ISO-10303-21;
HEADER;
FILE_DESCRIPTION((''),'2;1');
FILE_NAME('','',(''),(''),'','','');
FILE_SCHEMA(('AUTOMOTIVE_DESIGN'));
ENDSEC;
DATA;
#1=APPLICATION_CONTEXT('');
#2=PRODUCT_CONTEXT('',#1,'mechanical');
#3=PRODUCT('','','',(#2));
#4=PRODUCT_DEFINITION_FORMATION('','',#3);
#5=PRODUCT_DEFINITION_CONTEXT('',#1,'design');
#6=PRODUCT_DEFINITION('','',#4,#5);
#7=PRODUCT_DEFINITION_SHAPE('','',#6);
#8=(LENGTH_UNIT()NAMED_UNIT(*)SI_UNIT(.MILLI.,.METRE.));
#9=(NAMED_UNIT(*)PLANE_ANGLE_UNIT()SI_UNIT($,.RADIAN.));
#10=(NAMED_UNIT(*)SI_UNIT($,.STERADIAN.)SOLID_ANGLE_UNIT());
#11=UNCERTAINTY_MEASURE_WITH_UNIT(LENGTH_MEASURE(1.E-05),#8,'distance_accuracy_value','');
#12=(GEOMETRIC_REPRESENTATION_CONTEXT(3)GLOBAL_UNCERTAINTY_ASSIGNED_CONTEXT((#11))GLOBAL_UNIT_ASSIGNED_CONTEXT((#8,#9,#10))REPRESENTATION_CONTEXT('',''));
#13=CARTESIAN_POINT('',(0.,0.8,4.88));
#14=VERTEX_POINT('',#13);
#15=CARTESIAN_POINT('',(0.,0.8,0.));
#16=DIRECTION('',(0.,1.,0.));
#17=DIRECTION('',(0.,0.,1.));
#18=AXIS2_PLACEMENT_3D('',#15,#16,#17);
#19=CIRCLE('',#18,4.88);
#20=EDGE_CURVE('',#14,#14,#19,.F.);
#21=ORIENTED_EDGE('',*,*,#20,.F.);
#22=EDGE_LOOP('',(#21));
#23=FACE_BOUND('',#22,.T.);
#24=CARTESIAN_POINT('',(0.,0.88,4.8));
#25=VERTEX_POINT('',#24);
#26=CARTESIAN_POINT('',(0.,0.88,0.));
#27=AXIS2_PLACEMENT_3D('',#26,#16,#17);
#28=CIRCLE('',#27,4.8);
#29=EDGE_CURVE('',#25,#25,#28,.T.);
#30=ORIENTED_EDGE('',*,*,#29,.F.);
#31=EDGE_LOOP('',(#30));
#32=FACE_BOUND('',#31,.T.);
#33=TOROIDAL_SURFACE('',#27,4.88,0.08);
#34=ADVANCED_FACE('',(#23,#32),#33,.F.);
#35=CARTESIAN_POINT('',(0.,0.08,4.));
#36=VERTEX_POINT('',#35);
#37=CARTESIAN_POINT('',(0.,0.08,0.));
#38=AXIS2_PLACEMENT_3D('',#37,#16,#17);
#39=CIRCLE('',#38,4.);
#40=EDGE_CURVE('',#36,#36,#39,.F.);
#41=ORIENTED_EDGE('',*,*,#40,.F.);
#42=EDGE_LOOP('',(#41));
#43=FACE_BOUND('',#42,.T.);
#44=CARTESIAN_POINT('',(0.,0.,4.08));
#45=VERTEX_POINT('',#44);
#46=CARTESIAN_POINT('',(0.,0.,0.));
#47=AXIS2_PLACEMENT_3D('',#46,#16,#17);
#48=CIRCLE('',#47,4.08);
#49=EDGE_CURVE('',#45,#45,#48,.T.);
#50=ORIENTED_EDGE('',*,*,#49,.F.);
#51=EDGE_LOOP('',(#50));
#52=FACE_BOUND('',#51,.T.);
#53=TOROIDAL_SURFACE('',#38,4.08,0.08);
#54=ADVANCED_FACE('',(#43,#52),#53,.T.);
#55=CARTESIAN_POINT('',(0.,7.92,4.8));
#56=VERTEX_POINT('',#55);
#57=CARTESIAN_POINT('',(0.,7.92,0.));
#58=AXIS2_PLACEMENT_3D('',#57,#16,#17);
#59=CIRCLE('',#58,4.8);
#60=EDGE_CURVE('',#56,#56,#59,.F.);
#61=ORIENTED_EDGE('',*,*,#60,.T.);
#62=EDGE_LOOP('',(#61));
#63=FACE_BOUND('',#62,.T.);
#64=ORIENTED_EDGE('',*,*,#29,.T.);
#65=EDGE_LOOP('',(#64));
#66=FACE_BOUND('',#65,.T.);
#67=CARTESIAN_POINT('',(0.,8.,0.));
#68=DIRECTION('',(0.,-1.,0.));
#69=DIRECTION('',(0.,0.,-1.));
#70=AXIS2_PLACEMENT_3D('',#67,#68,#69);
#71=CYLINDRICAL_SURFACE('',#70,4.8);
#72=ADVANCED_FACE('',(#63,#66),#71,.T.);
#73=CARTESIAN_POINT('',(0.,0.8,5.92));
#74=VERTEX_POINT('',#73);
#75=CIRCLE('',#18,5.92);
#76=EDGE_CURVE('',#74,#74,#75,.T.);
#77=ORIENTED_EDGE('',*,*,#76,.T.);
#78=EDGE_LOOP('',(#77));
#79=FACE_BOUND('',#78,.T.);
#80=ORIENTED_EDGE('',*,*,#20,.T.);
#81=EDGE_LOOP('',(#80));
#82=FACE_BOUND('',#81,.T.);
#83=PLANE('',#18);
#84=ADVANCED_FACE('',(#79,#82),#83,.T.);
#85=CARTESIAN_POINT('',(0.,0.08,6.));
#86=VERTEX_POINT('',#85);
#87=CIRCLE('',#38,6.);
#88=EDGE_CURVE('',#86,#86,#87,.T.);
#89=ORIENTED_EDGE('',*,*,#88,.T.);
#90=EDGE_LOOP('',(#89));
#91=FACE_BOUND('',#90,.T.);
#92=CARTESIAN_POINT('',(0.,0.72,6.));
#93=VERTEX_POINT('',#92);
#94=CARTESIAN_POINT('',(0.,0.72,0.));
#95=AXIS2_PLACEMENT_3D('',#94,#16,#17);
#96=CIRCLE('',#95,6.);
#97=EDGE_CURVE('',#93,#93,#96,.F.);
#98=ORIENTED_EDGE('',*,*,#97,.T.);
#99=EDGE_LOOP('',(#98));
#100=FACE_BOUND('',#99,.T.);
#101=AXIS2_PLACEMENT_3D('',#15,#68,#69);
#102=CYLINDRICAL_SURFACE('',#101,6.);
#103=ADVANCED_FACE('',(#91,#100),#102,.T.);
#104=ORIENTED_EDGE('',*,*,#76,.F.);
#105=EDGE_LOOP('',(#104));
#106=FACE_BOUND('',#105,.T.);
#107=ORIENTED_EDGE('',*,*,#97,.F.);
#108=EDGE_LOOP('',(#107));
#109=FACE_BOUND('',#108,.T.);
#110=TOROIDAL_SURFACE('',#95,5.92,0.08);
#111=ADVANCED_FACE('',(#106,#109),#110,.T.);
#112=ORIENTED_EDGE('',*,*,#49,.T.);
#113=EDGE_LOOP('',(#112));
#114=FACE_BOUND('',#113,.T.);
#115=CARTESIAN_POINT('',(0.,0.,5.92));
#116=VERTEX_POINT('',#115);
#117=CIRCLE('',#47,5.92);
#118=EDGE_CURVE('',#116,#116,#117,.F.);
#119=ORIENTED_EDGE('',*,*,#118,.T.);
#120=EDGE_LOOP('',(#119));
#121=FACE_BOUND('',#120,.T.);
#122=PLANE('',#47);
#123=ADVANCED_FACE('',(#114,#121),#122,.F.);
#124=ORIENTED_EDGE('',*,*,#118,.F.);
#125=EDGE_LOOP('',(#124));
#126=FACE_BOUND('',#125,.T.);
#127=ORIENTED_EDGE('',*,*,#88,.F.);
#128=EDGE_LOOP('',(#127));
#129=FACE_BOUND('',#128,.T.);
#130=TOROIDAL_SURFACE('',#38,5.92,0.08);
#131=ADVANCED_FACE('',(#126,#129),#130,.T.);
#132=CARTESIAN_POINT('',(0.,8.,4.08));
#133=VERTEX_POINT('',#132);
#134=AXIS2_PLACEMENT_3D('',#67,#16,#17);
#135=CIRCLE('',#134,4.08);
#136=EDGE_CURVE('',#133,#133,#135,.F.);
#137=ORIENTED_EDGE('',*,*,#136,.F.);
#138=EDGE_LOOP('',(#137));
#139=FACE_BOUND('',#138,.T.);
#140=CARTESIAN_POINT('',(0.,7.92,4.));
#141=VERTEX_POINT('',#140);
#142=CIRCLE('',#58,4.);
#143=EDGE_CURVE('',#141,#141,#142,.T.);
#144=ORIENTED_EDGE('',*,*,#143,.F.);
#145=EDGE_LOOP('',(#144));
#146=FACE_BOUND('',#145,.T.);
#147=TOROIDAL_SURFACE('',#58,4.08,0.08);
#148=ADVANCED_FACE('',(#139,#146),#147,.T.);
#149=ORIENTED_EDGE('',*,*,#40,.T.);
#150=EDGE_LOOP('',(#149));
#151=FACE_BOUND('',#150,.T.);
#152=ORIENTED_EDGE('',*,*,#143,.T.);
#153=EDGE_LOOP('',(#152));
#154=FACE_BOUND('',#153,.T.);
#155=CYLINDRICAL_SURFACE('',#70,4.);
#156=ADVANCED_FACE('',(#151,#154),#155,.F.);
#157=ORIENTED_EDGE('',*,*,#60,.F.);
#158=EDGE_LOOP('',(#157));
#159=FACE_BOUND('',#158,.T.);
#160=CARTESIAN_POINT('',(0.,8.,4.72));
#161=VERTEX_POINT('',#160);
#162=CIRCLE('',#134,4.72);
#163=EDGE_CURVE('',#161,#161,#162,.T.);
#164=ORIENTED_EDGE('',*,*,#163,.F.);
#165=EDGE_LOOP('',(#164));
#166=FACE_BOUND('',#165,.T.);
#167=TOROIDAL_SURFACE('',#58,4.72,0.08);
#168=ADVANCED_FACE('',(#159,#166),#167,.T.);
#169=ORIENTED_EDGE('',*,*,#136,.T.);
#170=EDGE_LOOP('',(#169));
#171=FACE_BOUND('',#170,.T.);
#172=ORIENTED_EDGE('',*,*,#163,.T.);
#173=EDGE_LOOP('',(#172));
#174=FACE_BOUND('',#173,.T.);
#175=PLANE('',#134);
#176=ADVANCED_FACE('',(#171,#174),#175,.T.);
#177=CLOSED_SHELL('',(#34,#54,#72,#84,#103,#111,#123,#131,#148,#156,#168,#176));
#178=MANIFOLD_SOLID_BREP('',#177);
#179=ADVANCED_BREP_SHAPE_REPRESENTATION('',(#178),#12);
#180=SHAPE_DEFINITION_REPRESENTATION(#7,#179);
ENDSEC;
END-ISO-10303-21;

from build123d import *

# Parameters (mm, degrees)
SKETCH3_R           = 4.8
SKETCH3_R_2         = 4
BOSS_EXTRUDE1_DEPTH = 8
SKETCH4_R           = 6
SKETCH4_R_2         = 4.8
BOSS_EXTRUDE2_DEPTH = 0.8
FILLET1_R           = 0.08


with BuildPart() as part:
    # Sketch3 → Boss-Extrude1 (new body)
    with BuildSketch(Plane(origin=(0, 0, 0), x_dir=(1, 0, 0), z_dir=(0, 1, 0))):
        with Locations(Location((0, 0, 0), (0, 0, 270))):
            Circle(SKETCH3_R)
        with Locations(Location((0, 0, 0), (0, 0, 270))):
            Circle(SKETCH3_R_2, mode=Mode.SUBTRACT)
    extrude(amount=BOSS_EXTRUDE1_DEPTH)

    # Sketch4 → Boss-Extrude2 (add)
    with BuildSketch(Plane(origin=(0, 0, 0), x_dir=(1, 0, 0), z_dir=(0, 1, 0))):
        with Locations(Location((0, 0, 0), (0, 0, 270))):
            Circle(SKETCH4_R)
        with Locations(Location((0, 0, 0), (0, 0, 270))):
            Circle(SKETCH4_R_2, mode=Mode.SUBTRACT)
    extrude(amount=BOSS_EXTRUDE2_DEPTH)

    # Fillet1
    fillet1_edges = [part.edges().sort_by_distance(p)[0] for p in [
        (0, 0, -6),
        (0, 0.8, -4.8),
        (0, 8, -4.8),
        (0, 0, -4),
        (0, 8, -4),
        (0, 0.8, -6),
    ]]
    fillet(fillet1_edges, radius=FILLET1_R)


solid = part.part
